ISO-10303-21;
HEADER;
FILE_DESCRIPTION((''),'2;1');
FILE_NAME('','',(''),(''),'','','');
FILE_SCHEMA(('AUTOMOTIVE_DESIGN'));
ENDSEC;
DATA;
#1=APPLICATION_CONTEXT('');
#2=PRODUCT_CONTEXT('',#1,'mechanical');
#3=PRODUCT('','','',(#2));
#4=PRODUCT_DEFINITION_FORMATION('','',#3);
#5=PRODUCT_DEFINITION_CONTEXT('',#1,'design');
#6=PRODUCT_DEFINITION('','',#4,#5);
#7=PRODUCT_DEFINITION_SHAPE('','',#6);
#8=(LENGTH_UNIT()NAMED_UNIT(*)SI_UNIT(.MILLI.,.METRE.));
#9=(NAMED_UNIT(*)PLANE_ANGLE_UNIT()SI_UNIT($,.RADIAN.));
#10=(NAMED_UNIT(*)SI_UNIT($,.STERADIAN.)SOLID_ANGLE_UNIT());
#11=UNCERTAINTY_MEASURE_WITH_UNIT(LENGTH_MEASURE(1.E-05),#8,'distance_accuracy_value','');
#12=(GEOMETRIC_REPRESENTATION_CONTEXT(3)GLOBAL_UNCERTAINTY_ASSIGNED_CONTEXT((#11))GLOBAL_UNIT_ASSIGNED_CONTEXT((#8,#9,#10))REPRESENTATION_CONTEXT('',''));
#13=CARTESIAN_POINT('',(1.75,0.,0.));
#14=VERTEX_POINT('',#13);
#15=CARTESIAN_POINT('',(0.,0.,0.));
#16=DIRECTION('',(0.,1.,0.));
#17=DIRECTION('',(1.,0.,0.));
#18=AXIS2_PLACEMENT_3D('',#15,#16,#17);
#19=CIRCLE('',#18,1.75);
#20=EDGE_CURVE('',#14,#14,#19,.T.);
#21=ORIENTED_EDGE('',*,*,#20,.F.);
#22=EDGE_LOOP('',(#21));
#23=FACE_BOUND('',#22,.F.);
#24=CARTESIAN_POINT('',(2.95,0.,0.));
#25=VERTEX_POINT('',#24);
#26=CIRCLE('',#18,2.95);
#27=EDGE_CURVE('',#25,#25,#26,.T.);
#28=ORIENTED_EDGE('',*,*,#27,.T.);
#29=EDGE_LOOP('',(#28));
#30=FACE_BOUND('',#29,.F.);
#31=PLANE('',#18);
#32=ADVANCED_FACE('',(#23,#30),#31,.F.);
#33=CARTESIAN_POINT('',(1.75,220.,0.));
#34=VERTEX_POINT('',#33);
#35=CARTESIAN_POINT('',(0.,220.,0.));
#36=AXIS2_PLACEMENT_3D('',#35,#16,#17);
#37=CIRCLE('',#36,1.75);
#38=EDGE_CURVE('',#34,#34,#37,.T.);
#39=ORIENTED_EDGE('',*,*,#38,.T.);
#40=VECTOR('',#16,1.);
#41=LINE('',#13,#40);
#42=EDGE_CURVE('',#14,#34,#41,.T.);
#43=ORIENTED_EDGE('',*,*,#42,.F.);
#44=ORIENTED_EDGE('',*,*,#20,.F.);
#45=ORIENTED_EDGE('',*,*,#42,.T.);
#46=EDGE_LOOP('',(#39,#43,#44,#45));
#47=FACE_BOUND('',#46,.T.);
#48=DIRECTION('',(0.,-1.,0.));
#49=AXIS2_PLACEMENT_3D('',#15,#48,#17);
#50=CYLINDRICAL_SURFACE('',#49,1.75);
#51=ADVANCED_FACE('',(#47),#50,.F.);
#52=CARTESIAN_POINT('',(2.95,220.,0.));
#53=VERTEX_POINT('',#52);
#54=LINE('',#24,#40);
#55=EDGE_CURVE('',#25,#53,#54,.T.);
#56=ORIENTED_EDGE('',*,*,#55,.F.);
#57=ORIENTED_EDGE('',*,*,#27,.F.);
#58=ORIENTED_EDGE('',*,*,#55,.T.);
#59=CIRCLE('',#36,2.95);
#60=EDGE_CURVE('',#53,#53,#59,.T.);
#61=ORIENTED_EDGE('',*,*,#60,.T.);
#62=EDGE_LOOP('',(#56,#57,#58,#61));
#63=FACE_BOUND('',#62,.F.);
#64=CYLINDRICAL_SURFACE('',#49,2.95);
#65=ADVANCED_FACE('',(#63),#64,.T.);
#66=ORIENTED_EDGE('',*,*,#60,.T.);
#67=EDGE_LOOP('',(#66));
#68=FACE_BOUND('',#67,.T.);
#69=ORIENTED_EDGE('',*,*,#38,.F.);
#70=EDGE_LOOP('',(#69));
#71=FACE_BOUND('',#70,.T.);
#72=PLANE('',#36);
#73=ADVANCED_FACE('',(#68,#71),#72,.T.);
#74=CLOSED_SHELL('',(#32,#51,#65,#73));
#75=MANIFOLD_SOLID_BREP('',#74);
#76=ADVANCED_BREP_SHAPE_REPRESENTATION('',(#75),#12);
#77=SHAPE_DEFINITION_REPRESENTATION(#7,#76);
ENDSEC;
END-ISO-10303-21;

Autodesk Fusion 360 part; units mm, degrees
sketch "Sketch1" plane through (0, 0, 0) normal (0, 1, 0) x (1, 0, 0)
  circle A0 centre (0, 0) radius 2.95
  circle A1 centre (0, 0) radius 1.75
  dimension "d1" = 5.9
  dimension "d4" = 3.5
extrude "Extrude1" add sketch "Sketch1" along normal blind 220
